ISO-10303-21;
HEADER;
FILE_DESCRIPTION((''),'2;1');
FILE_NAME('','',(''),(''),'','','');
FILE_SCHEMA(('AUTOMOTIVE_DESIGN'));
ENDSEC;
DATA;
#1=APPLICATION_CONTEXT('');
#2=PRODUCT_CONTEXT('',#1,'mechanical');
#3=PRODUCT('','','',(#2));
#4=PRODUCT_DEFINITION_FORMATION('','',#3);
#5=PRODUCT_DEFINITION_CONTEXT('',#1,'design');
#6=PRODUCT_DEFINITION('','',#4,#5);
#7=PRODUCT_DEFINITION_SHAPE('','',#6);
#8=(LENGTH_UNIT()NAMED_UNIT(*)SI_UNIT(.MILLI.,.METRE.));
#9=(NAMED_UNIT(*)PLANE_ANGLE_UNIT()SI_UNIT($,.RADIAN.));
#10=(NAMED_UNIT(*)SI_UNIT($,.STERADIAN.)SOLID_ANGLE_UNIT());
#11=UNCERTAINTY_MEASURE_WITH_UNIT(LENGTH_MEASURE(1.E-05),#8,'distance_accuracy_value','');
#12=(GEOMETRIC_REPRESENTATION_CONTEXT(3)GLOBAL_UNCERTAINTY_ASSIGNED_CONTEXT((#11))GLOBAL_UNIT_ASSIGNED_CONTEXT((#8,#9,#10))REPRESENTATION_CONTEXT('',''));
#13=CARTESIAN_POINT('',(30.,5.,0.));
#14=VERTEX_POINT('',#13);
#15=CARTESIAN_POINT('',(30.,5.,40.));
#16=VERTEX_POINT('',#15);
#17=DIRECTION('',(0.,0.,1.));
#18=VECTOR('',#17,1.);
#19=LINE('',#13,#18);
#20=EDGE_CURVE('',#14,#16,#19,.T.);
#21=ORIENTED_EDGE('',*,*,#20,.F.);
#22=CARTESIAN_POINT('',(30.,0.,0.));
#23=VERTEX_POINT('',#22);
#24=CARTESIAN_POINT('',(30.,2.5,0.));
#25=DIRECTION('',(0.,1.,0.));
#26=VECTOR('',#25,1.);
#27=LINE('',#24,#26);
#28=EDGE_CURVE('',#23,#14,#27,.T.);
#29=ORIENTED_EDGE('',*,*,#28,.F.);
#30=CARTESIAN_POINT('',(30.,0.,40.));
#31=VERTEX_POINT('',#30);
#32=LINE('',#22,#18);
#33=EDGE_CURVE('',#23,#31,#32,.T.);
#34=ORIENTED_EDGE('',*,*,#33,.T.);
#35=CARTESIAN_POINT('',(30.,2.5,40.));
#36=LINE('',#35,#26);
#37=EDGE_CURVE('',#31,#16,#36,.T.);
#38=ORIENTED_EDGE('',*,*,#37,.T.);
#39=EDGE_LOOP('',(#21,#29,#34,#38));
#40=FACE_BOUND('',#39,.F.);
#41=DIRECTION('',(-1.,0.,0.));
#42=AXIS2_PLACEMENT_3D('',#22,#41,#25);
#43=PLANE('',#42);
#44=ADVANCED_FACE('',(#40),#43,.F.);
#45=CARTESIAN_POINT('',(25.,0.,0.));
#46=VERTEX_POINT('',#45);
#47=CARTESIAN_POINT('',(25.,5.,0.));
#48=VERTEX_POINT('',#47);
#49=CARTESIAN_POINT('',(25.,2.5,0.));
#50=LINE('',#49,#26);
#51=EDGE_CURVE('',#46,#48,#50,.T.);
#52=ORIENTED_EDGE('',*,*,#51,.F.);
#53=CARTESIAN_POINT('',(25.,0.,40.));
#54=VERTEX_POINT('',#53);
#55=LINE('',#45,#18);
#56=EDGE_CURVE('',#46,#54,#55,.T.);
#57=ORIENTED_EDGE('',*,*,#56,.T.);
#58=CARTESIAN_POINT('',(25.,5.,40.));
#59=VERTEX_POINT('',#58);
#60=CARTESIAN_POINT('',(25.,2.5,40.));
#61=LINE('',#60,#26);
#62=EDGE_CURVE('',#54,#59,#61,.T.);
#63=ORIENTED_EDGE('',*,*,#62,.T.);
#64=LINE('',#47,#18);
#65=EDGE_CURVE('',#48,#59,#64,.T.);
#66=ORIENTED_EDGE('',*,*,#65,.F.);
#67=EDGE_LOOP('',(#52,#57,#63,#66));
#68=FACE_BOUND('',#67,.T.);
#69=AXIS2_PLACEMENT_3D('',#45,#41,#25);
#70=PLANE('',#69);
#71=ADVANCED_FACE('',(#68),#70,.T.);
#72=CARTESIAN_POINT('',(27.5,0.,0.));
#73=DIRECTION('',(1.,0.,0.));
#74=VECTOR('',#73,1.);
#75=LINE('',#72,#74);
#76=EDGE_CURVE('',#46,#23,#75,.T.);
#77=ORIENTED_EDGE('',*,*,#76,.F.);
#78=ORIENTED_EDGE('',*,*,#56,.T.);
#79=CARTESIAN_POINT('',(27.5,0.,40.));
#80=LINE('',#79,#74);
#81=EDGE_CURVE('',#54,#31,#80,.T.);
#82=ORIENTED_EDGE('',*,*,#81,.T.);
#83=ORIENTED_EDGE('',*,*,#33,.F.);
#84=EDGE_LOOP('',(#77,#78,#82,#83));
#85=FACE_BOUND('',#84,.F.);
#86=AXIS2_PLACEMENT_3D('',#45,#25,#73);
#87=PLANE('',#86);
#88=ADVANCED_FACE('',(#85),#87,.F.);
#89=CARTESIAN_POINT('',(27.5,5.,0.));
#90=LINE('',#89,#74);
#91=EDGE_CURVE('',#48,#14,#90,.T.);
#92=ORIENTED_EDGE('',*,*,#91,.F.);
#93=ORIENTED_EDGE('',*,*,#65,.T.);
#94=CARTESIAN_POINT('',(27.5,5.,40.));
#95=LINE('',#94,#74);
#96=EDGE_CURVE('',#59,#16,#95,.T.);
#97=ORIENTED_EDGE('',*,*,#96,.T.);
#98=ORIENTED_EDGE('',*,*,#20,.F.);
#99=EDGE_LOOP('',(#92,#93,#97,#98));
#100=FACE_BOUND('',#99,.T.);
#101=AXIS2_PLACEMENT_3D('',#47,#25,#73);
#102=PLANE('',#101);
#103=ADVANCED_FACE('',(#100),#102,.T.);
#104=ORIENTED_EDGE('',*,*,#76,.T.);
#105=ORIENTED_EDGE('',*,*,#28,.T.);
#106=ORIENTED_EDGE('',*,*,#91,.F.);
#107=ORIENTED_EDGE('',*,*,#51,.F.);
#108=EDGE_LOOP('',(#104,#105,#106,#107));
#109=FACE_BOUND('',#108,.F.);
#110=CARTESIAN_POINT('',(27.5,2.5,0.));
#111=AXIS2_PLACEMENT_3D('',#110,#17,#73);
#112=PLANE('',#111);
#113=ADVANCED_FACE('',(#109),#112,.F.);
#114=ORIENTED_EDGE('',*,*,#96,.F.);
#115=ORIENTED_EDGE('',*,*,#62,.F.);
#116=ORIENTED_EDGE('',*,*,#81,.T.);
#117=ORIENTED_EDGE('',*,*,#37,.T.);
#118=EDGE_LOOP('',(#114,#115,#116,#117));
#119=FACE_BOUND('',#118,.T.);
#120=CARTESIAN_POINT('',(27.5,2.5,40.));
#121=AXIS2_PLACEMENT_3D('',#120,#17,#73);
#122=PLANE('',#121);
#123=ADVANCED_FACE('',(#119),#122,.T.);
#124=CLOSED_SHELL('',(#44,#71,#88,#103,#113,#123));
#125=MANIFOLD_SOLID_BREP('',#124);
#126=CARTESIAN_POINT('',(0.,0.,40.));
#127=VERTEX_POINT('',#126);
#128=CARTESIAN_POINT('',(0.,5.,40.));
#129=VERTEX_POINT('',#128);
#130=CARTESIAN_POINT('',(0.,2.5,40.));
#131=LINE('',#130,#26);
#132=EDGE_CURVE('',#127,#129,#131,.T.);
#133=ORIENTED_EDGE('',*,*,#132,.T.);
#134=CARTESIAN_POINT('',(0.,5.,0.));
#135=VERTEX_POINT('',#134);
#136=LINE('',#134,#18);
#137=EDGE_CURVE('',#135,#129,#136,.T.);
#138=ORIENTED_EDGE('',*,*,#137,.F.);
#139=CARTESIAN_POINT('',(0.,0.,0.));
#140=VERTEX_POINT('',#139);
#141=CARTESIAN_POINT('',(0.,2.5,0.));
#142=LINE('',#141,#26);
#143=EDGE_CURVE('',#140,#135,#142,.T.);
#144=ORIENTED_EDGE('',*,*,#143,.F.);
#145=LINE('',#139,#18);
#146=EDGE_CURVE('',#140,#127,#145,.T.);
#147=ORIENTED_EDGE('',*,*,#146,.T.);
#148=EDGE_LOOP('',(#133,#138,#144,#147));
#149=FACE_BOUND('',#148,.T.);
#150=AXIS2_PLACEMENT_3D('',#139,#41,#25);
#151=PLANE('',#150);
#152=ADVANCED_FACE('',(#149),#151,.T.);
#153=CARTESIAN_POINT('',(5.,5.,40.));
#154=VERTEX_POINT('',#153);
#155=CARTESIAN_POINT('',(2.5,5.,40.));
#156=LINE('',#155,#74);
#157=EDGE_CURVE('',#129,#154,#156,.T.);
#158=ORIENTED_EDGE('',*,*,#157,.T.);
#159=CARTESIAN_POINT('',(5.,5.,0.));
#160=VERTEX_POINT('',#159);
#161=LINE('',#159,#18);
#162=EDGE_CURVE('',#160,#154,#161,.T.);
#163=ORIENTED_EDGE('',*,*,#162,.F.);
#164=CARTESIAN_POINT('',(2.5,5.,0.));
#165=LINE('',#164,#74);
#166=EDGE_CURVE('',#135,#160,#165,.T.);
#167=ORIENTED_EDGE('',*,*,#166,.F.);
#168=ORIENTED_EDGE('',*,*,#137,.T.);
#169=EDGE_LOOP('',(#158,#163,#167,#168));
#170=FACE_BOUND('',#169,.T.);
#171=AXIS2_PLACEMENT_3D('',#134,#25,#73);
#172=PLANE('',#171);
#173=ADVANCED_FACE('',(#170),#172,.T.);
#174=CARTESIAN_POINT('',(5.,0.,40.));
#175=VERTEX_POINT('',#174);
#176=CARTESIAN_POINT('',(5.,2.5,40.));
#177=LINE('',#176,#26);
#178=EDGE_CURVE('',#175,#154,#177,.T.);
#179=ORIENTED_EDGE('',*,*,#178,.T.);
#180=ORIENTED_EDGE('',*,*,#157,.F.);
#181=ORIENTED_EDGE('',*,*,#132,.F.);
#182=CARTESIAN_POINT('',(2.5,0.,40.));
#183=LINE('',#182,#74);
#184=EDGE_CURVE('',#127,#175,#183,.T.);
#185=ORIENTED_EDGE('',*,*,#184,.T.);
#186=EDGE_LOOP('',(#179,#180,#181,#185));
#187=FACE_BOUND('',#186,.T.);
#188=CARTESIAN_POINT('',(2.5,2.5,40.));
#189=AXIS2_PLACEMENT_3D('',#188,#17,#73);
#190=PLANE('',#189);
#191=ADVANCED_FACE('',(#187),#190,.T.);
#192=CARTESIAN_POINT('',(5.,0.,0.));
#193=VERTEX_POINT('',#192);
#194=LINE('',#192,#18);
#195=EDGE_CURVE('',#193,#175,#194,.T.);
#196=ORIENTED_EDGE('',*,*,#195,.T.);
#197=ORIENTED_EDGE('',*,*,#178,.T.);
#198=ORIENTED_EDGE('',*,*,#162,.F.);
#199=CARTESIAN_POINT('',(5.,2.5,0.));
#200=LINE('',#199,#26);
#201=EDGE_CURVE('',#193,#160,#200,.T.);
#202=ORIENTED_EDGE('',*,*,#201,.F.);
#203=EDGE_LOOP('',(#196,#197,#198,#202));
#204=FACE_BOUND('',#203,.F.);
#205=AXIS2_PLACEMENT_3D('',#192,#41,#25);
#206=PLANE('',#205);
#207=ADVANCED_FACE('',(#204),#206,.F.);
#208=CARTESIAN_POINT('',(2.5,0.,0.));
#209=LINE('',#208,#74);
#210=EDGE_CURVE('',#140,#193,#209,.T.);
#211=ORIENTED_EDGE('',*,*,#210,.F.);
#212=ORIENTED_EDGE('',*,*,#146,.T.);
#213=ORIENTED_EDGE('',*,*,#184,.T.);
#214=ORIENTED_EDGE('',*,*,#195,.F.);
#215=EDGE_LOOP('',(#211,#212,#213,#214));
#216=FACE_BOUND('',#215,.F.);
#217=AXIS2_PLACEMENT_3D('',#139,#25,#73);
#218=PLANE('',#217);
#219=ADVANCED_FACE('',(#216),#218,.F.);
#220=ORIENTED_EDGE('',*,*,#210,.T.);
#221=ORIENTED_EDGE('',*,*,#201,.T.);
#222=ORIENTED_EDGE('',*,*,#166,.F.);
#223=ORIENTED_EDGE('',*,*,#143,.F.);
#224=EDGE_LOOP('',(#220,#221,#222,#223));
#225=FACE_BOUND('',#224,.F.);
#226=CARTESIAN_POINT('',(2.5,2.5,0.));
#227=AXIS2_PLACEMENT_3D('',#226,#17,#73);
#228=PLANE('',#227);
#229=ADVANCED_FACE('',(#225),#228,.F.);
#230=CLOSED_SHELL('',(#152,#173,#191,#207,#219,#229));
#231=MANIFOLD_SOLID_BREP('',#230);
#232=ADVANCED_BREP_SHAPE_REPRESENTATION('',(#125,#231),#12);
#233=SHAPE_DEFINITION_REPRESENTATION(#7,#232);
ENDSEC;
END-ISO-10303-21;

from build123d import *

# Parameters (mm, degrees)
BOX_W        = 5
BOX_H        = 5
BOX_DEPTH    = 40
BOX001_W     = 5
BOX001_H     = 5
BOX001_DEPTH = 40


with BuildPart() as cube:
    # Box → Box (new body)
    with BuildSketch(Plane.XY):
        with Locations((2.5, 2.5)):
            Rectangle(BOX_W, BOX_H)
    extrude(amount=BOX_DEPTH)


with BuildPart() as cube001:
    # Box001 → Box001 (new body)
    with BuildSketch(Plane(origin=(25, 0, 0), x_dir=(1, 0, 0), z_dir=(0, 0, 1))):
        with Locations((2.5, 2.5)):
            Rectangle(BOX001_W, BOX001_H)
    extrude(amount=BOX001_DEPTH)


solid = Compound([cube.part, cube001.part])
